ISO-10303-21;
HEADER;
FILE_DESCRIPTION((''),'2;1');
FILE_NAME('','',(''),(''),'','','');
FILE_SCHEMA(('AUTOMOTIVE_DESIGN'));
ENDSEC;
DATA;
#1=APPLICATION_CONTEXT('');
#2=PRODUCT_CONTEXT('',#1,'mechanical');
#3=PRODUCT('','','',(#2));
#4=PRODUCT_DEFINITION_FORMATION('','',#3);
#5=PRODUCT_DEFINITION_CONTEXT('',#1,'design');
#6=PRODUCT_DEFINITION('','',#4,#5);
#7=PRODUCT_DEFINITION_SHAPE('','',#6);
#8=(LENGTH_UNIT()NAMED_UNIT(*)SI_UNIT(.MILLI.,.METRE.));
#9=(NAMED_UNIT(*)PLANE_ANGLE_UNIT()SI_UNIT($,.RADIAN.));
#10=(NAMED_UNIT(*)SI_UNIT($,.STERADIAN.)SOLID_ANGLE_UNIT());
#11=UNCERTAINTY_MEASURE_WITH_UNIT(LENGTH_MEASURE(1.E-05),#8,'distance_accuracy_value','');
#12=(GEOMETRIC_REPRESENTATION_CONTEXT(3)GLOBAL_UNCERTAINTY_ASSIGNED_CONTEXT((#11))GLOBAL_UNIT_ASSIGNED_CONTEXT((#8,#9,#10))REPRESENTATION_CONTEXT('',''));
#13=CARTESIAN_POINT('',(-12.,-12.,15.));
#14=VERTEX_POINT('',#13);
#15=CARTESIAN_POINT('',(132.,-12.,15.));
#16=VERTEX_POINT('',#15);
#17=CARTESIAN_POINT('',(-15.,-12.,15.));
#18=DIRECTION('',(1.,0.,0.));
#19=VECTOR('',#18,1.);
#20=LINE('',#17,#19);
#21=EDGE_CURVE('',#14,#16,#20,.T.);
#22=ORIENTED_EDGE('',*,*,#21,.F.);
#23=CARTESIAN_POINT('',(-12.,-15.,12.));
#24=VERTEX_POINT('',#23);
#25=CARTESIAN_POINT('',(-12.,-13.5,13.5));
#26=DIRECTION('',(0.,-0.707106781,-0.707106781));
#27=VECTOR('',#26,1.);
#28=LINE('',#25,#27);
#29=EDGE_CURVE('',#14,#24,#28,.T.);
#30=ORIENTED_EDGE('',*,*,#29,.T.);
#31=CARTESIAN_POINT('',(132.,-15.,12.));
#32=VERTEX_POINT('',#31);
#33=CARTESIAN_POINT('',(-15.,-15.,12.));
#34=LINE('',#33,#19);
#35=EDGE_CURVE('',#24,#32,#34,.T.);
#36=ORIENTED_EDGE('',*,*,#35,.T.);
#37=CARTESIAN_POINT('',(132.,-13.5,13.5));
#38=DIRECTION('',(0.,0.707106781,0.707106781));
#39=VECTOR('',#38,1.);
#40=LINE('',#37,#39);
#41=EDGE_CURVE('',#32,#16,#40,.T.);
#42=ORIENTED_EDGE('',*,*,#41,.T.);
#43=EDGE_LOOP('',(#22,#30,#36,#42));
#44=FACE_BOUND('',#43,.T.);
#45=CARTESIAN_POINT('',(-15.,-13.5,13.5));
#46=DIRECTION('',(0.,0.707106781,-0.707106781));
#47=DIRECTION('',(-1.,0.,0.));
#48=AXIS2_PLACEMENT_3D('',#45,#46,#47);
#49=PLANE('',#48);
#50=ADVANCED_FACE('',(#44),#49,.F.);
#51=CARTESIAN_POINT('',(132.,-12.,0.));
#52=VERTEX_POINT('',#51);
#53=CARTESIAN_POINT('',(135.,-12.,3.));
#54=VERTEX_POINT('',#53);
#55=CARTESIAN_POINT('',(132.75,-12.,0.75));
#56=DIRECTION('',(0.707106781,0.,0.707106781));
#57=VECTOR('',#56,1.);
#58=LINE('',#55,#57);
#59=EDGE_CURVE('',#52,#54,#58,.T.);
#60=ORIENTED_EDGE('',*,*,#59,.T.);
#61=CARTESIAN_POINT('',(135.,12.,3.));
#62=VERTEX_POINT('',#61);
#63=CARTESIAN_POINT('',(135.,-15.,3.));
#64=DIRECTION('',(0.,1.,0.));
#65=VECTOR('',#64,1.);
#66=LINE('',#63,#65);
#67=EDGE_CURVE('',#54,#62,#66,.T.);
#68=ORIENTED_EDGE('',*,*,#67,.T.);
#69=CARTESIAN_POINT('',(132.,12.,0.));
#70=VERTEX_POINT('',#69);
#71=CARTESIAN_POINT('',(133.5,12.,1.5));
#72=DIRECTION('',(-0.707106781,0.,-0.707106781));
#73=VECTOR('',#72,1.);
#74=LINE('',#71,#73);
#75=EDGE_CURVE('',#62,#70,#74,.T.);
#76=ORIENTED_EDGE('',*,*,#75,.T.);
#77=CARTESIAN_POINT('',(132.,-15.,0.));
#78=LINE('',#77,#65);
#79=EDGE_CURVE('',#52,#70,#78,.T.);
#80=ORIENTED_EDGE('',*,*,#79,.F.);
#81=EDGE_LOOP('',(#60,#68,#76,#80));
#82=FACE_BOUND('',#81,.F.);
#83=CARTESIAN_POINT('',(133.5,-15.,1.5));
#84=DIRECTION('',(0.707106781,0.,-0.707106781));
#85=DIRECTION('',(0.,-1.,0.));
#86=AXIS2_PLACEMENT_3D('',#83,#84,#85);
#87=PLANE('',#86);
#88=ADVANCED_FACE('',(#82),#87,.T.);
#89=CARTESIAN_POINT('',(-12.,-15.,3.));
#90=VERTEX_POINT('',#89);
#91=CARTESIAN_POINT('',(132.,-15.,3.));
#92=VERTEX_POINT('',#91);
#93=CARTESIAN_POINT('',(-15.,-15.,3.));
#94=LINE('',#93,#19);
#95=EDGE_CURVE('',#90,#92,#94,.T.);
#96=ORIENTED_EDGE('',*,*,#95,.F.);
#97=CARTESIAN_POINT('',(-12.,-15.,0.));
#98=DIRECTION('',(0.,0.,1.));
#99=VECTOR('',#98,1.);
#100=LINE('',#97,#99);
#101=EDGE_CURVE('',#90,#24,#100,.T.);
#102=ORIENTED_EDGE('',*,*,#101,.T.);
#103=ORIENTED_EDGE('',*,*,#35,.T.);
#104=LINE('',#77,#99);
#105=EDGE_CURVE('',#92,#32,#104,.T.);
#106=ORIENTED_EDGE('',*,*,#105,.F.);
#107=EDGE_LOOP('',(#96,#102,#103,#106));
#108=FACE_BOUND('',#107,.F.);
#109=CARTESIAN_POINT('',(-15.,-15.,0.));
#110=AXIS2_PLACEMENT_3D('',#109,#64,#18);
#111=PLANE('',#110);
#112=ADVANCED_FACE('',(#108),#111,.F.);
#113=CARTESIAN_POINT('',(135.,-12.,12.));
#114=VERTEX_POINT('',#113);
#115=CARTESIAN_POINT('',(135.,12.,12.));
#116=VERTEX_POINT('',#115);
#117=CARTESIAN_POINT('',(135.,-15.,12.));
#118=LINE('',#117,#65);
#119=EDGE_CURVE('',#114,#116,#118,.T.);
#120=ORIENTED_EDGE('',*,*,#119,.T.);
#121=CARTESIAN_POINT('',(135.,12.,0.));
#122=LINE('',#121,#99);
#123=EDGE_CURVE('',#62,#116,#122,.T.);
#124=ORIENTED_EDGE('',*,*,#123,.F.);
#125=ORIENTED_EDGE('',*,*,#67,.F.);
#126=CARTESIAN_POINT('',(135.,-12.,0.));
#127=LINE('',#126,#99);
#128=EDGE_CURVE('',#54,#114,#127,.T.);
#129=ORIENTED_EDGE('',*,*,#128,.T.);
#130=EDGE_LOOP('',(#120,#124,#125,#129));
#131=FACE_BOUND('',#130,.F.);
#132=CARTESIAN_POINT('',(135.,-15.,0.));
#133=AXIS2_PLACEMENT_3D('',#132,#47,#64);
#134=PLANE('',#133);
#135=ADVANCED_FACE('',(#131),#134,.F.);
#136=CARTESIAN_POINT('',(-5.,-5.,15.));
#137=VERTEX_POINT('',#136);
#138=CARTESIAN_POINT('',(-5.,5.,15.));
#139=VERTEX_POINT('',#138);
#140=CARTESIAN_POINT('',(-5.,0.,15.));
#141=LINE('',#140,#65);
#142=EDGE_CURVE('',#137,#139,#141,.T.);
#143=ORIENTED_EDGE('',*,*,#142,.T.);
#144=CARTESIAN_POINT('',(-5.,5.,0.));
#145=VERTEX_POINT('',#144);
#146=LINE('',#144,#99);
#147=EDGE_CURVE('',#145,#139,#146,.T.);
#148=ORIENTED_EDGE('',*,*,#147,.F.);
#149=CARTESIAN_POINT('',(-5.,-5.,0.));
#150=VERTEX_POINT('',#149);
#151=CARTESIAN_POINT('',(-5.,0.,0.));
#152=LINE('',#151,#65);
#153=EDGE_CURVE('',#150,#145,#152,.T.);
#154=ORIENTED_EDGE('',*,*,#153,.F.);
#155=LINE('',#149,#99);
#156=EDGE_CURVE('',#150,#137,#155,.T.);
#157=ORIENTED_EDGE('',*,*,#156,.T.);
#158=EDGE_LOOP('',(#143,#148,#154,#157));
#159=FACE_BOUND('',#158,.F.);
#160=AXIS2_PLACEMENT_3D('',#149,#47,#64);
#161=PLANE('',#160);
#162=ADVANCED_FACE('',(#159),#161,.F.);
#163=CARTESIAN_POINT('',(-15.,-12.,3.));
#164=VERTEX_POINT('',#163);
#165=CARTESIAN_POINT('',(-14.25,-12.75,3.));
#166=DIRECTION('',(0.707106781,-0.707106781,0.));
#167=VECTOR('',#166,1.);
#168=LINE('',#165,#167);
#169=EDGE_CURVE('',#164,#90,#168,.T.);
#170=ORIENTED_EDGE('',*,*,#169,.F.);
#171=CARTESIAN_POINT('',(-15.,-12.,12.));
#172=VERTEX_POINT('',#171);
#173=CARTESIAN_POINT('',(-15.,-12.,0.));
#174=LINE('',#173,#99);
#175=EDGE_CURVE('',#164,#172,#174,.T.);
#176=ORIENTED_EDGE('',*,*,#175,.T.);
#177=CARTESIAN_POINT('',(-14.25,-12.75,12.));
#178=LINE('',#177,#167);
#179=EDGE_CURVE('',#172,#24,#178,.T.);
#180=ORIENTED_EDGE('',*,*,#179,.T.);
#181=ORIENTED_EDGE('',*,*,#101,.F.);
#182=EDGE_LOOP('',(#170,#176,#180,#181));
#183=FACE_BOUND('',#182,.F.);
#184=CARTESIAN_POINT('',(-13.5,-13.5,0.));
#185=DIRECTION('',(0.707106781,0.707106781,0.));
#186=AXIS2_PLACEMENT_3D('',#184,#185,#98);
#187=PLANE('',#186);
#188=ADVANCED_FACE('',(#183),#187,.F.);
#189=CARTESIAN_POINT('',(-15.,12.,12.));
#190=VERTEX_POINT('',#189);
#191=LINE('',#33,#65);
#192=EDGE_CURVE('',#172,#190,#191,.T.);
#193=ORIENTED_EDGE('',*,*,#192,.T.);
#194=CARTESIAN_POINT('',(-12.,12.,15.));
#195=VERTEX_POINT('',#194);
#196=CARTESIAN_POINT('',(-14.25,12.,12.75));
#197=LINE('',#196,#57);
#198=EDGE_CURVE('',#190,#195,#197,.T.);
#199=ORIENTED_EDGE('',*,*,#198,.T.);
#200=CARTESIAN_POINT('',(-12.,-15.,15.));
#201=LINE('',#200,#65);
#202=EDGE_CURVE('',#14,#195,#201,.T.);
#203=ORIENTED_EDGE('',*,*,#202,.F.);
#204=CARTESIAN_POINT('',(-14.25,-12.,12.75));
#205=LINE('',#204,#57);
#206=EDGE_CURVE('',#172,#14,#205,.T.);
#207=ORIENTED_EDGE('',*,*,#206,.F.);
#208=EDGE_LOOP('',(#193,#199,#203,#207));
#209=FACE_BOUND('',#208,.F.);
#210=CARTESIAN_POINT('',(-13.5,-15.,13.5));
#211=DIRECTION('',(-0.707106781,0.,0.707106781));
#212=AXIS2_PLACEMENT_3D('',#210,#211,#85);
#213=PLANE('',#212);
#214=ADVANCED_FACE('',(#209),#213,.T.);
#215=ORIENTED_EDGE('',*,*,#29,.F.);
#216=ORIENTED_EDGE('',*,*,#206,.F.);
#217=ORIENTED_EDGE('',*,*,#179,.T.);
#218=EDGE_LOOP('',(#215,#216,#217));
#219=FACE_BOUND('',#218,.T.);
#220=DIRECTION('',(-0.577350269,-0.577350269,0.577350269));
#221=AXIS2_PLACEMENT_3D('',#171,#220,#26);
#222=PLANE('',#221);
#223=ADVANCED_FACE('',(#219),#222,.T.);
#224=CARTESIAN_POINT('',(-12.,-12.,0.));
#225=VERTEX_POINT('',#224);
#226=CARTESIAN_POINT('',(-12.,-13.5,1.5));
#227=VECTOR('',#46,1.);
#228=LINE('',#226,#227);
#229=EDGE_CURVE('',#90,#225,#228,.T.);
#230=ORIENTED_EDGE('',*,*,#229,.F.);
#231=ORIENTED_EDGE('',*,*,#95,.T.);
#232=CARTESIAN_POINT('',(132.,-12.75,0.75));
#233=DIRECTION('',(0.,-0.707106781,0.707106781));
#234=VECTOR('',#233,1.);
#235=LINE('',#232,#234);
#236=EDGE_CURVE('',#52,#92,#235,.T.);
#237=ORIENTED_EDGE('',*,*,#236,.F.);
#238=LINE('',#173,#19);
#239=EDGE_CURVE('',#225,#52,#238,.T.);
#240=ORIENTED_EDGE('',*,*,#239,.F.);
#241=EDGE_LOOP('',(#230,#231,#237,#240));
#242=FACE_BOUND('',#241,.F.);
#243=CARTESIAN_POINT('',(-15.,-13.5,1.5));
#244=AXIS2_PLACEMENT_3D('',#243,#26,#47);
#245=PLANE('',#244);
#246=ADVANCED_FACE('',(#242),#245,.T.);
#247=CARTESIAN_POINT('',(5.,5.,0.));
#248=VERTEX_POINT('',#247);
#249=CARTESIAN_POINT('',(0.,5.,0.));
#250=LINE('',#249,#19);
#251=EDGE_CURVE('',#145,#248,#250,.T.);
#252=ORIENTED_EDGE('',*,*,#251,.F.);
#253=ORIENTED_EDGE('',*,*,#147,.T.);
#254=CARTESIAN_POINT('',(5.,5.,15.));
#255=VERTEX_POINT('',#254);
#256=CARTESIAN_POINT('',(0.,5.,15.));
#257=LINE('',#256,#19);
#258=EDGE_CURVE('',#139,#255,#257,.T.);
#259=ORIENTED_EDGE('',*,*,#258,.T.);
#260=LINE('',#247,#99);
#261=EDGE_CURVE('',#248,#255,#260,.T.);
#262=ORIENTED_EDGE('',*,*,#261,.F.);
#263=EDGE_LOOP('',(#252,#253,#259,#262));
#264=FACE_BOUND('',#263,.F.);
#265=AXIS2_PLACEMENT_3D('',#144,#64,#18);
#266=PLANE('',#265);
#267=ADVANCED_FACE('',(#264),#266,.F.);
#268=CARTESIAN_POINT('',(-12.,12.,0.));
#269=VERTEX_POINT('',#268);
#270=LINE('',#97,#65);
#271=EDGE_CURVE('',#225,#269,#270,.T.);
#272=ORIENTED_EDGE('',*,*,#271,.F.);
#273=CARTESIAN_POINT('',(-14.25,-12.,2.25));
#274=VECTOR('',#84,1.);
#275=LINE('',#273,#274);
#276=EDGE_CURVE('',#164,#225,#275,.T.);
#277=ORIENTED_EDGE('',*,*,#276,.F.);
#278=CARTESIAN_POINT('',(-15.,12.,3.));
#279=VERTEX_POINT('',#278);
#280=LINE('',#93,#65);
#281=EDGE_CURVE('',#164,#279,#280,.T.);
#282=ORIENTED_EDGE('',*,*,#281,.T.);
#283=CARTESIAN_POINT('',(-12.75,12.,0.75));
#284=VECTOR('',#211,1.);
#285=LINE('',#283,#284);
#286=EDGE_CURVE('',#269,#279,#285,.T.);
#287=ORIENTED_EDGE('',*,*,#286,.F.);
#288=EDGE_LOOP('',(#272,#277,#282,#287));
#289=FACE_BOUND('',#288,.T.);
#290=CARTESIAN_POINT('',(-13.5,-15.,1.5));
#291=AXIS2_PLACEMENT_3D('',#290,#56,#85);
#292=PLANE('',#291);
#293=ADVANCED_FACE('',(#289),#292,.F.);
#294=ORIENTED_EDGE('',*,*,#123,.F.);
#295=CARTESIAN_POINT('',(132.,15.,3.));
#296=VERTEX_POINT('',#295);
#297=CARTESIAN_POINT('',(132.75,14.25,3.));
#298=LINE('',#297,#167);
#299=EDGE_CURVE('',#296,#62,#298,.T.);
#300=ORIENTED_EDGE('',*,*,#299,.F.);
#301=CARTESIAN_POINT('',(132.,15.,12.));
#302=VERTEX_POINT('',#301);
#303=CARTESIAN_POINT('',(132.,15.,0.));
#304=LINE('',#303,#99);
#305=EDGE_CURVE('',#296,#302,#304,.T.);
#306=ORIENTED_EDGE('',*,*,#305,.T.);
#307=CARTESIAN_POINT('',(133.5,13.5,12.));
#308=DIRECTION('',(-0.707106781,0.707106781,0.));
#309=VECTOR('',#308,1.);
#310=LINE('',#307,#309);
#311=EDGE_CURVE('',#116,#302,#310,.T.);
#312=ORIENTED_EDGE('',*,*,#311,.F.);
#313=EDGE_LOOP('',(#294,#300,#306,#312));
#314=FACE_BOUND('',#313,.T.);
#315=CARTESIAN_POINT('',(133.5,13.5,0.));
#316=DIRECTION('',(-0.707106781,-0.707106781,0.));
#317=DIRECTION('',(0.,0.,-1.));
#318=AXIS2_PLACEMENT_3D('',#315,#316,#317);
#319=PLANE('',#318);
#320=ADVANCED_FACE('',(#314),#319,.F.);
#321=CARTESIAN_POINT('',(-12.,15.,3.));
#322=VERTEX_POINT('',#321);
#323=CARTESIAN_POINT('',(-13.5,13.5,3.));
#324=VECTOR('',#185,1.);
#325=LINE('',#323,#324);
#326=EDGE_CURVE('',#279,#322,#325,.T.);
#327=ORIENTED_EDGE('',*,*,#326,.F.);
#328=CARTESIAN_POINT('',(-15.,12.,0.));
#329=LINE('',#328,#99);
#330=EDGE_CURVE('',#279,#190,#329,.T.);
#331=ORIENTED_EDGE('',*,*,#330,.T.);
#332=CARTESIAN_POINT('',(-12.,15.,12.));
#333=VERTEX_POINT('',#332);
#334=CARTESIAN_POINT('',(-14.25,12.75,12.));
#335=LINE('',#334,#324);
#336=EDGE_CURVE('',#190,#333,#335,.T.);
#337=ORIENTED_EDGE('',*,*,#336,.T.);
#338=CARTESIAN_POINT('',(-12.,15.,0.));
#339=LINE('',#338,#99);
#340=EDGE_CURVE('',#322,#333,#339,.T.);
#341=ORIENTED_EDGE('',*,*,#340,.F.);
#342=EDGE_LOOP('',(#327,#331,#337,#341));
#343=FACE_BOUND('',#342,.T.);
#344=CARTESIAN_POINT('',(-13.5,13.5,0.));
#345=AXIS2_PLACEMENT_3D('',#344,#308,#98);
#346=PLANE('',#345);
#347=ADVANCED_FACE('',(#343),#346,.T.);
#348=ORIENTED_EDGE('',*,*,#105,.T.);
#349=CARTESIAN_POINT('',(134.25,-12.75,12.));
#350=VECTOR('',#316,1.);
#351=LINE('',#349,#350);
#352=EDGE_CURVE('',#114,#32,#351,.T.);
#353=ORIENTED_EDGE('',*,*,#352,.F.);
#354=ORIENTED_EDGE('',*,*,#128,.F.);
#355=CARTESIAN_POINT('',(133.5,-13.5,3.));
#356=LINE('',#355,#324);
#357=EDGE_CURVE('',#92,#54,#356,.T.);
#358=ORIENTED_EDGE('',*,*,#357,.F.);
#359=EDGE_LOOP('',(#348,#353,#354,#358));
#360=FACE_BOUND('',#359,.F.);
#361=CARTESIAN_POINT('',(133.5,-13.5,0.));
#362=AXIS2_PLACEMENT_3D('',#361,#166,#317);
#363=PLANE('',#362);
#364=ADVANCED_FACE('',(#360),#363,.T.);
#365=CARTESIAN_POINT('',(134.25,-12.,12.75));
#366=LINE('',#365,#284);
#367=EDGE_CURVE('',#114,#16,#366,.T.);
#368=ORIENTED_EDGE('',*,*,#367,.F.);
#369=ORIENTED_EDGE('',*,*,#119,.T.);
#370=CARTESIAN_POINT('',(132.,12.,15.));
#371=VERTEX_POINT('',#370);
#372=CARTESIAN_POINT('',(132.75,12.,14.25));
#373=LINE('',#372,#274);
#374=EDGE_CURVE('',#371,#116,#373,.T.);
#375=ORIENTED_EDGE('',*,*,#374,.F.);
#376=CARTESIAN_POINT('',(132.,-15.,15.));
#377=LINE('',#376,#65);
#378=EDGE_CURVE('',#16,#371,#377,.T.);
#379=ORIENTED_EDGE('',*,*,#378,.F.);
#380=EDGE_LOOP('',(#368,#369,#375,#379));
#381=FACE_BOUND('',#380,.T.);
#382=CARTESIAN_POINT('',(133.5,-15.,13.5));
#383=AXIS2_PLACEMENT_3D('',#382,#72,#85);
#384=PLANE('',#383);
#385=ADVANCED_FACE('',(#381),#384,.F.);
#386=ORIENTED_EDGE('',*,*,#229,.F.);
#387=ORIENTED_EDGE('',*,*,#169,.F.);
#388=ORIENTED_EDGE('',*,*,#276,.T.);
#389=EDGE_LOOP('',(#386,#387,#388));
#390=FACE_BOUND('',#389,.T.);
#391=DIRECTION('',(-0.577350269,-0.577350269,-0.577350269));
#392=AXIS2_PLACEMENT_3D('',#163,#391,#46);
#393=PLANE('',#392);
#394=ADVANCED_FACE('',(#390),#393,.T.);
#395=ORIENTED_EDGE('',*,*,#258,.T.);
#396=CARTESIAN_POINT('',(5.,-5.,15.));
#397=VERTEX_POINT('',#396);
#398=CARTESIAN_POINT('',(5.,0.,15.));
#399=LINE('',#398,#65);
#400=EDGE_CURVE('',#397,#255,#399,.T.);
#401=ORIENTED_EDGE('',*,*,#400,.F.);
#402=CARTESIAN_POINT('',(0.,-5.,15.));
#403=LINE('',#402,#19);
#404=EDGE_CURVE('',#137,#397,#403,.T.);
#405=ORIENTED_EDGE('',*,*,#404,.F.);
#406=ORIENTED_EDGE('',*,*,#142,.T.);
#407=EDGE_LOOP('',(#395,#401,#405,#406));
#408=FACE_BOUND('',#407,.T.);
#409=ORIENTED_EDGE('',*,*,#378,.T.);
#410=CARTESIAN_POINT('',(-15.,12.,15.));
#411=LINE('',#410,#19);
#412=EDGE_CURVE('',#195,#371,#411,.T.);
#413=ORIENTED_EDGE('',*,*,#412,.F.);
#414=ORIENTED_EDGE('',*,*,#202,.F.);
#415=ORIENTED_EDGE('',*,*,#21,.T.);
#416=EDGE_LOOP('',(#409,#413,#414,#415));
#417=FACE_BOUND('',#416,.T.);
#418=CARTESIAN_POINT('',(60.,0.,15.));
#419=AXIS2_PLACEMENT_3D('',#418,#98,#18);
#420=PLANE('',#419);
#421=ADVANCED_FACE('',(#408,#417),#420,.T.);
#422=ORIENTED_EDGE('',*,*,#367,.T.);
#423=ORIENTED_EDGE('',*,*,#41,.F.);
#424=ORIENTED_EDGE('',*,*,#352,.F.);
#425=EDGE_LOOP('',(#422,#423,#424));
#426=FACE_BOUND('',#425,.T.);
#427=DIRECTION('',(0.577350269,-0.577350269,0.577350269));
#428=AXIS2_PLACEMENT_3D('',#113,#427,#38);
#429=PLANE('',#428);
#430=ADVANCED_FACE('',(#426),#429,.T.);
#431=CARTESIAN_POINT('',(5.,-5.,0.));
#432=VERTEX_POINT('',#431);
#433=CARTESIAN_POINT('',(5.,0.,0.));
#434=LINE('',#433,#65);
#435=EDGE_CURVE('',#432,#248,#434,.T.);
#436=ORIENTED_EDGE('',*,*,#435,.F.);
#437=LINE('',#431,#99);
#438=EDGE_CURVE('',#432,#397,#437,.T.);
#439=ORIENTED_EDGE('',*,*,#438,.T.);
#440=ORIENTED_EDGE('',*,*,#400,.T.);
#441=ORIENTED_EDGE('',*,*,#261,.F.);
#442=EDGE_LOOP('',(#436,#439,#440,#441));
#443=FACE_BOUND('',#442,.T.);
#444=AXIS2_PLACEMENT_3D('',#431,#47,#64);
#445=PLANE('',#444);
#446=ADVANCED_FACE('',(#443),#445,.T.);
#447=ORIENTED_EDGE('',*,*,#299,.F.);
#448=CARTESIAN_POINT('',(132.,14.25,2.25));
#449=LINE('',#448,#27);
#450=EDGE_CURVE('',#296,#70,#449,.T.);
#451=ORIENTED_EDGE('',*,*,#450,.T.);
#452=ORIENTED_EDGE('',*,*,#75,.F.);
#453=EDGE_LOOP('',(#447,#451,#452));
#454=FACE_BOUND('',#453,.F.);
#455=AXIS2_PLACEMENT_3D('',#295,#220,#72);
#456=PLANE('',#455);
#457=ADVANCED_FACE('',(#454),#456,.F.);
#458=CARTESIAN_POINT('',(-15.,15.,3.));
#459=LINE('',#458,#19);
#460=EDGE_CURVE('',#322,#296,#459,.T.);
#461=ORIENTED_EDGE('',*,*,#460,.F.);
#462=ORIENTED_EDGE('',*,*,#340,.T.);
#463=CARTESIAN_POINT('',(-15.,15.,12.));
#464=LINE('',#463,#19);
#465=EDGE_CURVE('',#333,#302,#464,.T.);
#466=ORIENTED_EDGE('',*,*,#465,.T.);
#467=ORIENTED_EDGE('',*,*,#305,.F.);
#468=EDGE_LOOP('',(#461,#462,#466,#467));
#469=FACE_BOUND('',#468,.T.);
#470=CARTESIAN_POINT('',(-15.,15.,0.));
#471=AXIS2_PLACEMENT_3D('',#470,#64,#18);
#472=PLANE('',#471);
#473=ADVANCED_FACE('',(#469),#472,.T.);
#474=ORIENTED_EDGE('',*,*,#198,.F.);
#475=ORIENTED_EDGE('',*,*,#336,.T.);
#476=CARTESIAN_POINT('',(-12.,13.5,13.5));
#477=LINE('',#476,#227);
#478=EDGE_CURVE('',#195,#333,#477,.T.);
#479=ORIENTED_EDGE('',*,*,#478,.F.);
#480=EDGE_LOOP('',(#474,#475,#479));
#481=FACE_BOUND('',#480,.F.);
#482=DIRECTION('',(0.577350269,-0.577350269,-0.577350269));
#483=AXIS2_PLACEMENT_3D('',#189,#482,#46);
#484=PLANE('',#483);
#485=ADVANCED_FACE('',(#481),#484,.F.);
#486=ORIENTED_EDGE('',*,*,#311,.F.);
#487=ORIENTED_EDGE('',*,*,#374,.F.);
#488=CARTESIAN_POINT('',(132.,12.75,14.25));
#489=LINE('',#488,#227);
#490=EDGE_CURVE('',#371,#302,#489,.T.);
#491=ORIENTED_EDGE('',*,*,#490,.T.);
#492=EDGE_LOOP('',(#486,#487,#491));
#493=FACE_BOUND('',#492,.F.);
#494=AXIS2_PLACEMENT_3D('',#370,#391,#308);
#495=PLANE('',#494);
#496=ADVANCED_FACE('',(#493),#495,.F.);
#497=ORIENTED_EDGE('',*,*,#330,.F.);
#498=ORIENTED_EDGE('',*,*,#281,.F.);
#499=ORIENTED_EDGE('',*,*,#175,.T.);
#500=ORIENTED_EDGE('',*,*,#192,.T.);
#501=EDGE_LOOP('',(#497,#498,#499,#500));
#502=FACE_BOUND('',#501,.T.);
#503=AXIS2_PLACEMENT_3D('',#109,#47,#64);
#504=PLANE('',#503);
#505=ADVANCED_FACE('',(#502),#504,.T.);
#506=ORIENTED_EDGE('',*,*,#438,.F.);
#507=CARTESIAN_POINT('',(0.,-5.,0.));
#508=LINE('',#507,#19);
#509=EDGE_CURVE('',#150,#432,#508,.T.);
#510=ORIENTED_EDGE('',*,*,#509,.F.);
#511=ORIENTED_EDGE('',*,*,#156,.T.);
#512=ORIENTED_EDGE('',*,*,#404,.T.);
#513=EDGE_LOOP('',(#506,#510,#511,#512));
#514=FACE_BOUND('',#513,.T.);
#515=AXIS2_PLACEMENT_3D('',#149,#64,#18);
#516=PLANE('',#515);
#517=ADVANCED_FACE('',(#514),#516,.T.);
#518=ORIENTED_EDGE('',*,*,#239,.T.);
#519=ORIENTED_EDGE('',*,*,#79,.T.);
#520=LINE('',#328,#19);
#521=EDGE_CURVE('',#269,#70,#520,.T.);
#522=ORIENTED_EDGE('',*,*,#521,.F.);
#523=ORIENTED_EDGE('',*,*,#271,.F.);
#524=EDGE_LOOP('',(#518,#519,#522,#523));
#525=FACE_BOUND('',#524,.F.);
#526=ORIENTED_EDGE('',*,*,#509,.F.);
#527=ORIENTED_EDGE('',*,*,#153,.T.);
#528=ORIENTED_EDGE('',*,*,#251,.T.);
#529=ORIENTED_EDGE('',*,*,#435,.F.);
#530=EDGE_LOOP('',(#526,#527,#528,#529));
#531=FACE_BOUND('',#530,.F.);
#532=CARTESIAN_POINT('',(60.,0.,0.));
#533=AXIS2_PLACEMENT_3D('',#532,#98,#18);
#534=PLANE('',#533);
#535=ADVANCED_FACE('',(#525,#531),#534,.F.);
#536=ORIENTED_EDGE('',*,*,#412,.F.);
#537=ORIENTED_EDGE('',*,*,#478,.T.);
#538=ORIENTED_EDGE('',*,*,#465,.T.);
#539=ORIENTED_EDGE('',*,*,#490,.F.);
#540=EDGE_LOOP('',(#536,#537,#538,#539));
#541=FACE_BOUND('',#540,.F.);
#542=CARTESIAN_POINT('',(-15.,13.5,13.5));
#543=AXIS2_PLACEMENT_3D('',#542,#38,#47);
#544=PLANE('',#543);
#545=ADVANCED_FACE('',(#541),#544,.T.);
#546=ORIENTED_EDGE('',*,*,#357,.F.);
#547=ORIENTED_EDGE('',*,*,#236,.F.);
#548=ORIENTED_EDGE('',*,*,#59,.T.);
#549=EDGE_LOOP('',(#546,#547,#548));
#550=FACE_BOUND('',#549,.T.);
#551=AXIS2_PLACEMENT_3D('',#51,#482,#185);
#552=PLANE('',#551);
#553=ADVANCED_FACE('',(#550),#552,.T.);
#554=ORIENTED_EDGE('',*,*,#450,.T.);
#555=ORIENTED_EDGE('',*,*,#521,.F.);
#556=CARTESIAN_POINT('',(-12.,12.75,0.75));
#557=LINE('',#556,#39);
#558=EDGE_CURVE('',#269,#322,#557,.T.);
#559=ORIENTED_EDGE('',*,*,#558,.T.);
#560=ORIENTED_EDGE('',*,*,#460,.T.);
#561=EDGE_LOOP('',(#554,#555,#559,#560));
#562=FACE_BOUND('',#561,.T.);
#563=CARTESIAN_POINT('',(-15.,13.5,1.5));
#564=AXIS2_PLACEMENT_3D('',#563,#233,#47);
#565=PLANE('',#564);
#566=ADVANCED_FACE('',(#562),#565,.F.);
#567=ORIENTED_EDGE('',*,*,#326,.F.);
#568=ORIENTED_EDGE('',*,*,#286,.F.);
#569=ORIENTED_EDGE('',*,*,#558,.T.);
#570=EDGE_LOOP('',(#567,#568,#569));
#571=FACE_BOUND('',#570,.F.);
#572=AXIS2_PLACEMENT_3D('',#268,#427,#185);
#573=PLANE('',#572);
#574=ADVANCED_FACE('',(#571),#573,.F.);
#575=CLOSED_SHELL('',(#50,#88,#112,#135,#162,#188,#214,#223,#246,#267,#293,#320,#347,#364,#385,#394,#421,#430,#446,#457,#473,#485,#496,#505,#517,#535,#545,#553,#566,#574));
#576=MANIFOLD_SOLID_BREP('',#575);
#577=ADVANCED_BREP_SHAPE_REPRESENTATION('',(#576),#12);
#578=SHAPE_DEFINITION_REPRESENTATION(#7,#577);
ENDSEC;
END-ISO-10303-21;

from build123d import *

# Parameters (mm, degrees)
F0_W     = 150
F0_H     = 30
F0_W_2   = 10
F0_H_2   = 10
F1_DEPTH = 15
F2_SIZE  = 3


with BuildPart() as f1:
    # F0 (on Top) → F1 (new body)
    with BuildSketch(Plane.XY):
        with Locations((60, 0)):
            Rectangle(F0_W, F0_H)
        Rectangle(F0_W_2, F0_H_2, mode=Mode.SUBTRACT)
    extrude(amount=F1_DEPTH)

    # F2
    f2_edges = [f1.edges().sort_by_distance(p)[0] for p in [
        (60, -15, 15),
        (135, -15, 7.5),
        (60, -15, 0),
        (135, 0, 0),
        (135, 15, 7.5),
        (135, 0, 15),
        (60, 15, 15),
        (-15, 0, 15),
        (-15, -15, 7.5),
        (-15, 15, 7.5),
        (-15, 0, 0),
        (60, 15, 0),
    ]]
    chamfer(f2_edges, length=F2_SIZE)


solid = f1.part
